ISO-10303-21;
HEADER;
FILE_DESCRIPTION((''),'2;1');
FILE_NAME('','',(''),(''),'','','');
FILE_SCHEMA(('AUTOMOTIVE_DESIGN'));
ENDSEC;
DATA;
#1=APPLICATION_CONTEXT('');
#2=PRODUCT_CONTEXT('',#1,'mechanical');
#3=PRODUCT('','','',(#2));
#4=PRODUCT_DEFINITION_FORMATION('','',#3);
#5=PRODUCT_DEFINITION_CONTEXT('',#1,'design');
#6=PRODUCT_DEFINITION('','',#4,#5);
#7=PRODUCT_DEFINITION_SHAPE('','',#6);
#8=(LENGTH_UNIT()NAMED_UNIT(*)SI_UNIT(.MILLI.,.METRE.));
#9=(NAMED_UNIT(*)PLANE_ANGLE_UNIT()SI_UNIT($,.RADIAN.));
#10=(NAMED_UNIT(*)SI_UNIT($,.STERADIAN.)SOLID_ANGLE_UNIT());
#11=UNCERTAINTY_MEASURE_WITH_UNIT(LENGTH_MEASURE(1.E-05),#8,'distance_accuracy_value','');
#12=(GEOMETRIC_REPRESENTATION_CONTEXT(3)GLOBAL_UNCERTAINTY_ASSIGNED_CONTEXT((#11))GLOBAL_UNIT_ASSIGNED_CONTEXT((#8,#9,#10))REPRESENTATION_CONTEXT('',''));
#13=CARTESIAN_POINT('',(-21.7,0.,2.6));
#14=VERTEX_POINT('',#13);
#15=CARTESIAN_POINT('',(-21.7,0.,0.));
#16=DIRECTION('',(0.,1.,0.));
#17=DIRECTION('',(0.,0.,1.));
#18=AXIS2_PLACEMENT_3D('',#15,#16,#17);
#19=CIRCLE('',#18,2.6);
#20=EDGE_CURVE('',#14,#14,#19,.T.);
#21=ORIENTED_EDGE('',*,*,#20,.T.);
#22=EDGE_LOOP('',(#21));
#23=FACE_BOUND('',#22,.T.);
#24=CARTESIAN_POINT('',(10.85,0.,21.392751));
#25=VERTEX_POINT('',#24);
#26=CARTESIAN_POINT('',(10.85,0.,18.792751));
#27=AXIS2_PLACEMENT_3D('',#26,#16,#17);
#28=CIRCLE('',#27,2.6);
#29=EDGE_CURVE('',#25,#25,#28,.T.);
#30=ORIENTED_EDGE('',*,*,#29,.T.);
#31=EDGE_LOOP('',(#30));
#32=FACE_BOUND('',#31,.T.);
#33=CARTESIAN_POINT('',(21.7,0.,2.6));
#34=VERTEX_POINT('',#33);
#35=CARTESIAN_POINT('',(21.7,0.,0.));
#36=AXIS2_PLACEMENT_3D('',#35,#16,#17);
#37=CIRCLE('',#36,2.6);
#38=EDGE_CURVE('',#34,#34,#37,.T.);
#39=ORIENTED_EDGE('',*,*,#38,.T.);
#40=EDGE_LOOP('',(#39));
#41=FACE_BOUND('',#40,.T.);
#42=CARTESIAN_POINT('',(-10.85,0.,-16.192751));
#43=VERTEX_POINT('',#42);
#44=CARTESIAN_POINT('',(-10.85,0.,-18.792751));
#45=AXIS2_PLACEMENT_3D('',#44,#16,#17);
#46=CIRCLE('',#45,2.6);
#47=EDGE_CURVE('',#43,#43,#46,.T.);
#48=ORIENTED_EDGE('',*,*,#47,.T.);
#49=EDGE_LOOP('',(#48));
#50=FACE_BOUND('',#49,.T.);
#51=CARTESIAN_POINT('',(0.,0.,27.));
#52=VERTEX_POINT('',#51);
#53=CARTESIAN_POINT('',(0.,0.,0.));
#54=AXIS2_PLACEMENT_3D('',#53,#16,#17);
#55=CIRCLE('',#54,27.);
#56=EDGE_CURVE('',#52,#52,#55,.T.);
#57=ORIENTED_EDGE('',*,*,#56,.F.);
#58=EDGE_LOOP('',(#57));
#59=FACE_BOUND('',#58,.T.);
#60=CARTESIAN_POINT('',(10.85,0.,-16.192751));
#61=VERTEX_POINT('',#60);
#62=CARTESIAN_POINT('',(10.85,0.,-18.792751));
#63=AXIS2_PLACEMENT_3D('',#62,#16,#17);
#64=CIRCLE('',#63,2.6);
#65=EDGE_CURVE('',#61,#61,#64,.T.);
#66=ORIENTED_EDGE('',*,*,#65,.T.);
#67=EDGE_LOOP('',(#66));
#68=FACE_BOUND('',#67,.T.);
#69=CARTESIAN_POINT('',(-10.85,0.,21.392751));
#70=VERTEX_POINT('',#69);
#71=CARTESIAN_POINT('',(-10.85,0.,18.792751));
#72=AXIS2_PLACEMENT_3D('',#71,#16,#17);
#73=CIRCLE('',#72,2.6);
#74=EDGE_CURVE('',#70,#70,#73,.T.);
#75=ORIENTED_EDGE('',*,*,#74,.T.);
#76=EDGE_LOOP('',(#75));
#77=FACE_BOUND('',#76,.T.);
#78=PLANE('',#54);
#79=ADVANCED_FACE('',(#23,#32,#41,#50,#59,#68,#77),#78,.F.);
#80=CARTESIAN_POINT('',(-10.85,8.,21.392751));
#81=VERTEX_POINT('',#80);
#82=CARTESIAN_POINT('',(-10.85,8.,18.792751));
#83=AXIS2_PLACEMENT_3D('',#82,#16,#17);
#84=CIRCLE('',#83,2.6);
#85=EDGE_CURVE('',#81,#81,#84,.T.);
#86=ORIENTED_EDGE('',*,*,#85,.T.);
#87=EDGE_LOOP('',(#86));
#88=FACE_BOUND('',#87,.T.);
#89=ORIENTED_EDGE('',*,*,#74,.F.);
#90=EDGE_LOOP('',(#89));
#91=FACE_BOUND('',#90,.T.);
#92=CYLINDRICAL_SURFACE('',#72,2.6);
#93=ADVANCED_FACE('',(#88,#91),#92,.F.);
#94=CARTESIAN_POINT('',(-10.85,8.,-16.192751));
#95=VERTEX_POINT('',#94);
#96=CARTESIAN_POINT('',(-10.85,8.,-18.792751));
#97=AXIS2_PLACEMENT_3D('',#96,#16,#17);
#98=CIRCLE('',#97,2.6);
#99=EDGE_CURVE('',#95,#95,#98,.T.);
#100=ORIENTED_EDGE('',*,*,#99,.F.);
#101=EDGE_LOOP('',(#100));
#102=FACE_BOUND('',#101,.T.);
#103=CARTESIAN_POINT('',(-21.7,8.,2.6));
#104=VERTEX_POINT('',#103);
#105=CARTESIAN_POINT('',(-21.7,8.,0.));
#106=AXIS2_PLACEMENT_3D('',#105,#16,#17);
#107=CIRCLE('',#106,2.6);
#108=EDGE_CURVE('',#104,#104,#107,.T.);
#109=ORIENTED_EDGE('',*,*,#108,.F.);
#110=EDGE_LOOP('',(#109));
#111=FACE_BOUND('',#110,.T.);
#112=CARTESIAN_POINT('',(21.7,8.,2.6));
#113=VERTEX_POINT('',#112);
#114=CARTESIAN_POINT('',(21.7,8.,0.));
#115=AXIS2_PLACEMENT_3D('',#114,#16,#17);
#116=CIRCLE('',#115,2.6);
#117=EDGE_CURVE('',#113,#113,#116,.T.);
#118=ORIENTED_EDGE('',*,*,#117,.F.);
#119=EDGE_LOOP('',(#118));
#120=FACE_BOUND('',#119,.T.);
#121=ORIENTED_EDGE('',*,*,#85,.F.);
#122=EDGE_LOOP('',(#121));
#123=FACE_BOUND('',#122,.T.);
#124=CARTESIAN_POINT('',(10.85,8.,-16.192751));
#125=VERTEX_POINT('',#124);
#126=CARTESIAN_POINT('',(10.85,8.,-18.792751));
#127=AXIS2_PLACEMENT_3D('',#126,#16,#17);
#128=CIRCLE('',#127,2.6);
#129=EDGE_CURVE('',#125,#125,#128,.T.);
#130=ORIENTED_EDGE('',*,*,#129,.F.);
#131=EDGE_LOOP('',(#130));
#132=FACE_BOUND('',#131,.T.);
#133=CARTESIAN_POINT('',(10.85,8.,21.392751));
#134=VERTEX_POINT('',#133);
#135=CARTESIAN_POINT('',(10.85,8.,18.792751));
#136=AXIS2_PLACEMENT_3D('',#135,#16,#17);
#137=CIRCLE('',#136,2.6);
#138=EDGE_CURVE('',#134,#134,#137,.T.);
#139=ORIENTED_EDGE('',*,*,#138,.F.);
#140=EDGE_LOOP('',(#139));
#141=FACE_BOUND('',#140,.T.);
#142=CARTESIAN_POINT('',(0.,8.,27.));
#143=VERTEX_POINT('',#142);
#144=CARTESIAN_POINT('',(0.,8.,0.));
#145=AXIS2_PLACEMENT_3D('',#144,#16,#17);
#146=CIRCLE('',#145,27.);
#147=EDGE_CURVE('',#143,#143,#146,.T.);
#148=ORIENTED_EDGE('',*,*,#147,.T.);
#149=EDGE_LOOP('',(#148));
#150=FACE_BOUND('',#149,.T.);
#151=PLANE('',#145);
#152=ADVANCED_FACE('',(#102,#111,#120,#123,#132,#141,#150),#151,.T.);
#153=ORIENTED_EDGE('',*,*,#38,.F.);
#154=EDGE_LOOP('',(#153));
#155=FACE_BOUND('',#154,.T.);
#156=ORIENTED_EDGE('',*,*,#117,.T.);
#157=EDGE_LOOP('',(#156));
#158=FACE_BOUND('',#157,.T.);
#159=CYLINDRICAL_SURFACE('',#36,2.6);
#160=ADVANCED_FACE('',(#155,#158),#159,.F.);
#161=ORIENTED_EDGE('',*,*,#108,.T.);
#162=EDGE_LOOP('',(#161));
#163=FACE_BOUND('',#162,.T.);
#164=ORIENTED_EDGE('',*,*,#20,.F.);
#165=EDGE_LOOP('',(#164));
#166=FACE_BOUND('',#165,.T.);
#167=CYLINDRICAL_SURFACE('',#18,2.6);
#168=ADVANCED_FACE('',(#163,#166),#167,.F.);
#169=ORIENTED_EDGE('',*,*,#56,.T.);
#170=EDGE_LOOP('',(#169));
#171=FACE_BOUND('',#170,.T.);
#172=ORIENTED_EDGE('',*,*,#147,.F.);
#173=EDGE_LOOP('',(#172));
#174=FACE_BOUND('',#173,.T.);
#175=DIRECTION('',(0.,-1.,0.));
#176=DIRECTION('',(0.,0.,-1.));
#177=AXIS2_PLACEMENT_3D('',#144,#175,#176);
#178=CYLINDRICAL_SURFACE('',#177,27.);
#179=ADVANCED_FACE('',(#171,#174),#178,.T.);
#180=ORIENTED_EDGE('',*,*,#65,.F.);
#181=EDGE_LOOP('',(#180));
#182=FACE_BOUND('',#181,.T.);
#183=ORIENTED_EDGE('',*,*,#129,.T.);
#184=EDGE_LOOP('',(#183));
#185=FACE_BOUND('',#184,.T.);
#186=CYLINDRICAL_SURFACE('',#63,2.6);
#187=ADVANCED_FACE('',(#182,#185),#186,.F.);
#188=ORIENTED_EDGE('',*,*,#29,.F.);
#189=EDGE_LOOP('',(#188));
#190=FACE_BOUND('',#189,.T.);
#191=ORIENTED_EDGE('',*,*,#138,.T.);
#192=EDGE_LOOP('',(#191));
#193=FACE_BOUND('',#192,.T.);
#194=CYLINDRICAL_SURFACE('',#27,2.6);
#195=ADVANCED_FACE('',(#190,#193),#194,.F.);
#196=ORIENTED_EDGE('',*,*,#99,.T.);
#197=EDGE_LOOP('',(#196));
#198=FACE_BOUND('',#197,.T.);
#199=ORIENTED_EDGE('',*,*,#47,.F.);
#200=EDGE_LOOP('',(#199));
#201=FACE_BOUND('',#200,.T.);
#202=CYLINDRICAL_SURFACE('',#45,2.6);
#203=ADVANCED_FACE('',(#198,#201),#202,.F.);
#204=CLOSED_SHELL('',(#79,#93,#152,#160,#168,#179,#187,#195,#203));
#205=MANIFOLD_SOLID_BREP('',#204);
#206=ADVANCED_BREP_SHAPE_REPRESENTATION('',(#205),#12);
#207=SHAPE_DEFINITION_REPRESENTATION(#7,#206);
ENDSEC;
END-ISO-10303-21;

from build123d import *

# Parameters (mm, degrees)
SKETCH1_R           = 27
BOSS_EXTRUDE1_DEPTH = 8
SKETCH2_R           = 2.6
CUT_EXTRUDE1_DEPTH  = 40.012818406


with BuildPart() as part:
    # Sketch1 → Boss-Extrude1 (new body)
    with BuildSketch(Plane(origin=(0, 0, 0), x_dir=(1, 0, 0), z_dir=(0, 1, 0))):
        with Locations(Location((0, 0, 0), (0, 0, 270))):
            Circle(SKETCH1_R)
    extrude(amount=BOSS_EXTRUDE1_DEPTH)

    # Sketch2 → Cut-Extrude1 (cut, through all)
    with BuildSketch(Plane(origin=(0, 8, 0), x_dir=(1, 0, 0), z_dir=(0, 1, 0))):
        with Locations(Location((-21.7, 0, 0), (0, 0, 270))):
            Circle(SKETCH2_R)
        with Locations(Location((-10.85, 18.792751262, 0), (0, 0, 270))):
            Circle(SKETCH2_R)
        with Locations(Location((10.85, 18.792751262, 0), (0, 0, 270))):
            Circle(SKETCH2_R)
        with Locations(Location((21.7, 0, 0), (0, 0, 270))):
            Circle(SKETCH2_R)
        with Locations(Location((10.85, -18.792751262, 0), (0, 0, 270))):
            Circle(SKETCH2_R)
        with Locations(Location((-10.85, -18.792751262, 0), (0, 0, 270))):
            Circle(SKETCH2_R)
    extrude(amount=-CUT_EXTRUDE1_DEPTH, mode=Mode.SUBTRACT)


solid = part.part
